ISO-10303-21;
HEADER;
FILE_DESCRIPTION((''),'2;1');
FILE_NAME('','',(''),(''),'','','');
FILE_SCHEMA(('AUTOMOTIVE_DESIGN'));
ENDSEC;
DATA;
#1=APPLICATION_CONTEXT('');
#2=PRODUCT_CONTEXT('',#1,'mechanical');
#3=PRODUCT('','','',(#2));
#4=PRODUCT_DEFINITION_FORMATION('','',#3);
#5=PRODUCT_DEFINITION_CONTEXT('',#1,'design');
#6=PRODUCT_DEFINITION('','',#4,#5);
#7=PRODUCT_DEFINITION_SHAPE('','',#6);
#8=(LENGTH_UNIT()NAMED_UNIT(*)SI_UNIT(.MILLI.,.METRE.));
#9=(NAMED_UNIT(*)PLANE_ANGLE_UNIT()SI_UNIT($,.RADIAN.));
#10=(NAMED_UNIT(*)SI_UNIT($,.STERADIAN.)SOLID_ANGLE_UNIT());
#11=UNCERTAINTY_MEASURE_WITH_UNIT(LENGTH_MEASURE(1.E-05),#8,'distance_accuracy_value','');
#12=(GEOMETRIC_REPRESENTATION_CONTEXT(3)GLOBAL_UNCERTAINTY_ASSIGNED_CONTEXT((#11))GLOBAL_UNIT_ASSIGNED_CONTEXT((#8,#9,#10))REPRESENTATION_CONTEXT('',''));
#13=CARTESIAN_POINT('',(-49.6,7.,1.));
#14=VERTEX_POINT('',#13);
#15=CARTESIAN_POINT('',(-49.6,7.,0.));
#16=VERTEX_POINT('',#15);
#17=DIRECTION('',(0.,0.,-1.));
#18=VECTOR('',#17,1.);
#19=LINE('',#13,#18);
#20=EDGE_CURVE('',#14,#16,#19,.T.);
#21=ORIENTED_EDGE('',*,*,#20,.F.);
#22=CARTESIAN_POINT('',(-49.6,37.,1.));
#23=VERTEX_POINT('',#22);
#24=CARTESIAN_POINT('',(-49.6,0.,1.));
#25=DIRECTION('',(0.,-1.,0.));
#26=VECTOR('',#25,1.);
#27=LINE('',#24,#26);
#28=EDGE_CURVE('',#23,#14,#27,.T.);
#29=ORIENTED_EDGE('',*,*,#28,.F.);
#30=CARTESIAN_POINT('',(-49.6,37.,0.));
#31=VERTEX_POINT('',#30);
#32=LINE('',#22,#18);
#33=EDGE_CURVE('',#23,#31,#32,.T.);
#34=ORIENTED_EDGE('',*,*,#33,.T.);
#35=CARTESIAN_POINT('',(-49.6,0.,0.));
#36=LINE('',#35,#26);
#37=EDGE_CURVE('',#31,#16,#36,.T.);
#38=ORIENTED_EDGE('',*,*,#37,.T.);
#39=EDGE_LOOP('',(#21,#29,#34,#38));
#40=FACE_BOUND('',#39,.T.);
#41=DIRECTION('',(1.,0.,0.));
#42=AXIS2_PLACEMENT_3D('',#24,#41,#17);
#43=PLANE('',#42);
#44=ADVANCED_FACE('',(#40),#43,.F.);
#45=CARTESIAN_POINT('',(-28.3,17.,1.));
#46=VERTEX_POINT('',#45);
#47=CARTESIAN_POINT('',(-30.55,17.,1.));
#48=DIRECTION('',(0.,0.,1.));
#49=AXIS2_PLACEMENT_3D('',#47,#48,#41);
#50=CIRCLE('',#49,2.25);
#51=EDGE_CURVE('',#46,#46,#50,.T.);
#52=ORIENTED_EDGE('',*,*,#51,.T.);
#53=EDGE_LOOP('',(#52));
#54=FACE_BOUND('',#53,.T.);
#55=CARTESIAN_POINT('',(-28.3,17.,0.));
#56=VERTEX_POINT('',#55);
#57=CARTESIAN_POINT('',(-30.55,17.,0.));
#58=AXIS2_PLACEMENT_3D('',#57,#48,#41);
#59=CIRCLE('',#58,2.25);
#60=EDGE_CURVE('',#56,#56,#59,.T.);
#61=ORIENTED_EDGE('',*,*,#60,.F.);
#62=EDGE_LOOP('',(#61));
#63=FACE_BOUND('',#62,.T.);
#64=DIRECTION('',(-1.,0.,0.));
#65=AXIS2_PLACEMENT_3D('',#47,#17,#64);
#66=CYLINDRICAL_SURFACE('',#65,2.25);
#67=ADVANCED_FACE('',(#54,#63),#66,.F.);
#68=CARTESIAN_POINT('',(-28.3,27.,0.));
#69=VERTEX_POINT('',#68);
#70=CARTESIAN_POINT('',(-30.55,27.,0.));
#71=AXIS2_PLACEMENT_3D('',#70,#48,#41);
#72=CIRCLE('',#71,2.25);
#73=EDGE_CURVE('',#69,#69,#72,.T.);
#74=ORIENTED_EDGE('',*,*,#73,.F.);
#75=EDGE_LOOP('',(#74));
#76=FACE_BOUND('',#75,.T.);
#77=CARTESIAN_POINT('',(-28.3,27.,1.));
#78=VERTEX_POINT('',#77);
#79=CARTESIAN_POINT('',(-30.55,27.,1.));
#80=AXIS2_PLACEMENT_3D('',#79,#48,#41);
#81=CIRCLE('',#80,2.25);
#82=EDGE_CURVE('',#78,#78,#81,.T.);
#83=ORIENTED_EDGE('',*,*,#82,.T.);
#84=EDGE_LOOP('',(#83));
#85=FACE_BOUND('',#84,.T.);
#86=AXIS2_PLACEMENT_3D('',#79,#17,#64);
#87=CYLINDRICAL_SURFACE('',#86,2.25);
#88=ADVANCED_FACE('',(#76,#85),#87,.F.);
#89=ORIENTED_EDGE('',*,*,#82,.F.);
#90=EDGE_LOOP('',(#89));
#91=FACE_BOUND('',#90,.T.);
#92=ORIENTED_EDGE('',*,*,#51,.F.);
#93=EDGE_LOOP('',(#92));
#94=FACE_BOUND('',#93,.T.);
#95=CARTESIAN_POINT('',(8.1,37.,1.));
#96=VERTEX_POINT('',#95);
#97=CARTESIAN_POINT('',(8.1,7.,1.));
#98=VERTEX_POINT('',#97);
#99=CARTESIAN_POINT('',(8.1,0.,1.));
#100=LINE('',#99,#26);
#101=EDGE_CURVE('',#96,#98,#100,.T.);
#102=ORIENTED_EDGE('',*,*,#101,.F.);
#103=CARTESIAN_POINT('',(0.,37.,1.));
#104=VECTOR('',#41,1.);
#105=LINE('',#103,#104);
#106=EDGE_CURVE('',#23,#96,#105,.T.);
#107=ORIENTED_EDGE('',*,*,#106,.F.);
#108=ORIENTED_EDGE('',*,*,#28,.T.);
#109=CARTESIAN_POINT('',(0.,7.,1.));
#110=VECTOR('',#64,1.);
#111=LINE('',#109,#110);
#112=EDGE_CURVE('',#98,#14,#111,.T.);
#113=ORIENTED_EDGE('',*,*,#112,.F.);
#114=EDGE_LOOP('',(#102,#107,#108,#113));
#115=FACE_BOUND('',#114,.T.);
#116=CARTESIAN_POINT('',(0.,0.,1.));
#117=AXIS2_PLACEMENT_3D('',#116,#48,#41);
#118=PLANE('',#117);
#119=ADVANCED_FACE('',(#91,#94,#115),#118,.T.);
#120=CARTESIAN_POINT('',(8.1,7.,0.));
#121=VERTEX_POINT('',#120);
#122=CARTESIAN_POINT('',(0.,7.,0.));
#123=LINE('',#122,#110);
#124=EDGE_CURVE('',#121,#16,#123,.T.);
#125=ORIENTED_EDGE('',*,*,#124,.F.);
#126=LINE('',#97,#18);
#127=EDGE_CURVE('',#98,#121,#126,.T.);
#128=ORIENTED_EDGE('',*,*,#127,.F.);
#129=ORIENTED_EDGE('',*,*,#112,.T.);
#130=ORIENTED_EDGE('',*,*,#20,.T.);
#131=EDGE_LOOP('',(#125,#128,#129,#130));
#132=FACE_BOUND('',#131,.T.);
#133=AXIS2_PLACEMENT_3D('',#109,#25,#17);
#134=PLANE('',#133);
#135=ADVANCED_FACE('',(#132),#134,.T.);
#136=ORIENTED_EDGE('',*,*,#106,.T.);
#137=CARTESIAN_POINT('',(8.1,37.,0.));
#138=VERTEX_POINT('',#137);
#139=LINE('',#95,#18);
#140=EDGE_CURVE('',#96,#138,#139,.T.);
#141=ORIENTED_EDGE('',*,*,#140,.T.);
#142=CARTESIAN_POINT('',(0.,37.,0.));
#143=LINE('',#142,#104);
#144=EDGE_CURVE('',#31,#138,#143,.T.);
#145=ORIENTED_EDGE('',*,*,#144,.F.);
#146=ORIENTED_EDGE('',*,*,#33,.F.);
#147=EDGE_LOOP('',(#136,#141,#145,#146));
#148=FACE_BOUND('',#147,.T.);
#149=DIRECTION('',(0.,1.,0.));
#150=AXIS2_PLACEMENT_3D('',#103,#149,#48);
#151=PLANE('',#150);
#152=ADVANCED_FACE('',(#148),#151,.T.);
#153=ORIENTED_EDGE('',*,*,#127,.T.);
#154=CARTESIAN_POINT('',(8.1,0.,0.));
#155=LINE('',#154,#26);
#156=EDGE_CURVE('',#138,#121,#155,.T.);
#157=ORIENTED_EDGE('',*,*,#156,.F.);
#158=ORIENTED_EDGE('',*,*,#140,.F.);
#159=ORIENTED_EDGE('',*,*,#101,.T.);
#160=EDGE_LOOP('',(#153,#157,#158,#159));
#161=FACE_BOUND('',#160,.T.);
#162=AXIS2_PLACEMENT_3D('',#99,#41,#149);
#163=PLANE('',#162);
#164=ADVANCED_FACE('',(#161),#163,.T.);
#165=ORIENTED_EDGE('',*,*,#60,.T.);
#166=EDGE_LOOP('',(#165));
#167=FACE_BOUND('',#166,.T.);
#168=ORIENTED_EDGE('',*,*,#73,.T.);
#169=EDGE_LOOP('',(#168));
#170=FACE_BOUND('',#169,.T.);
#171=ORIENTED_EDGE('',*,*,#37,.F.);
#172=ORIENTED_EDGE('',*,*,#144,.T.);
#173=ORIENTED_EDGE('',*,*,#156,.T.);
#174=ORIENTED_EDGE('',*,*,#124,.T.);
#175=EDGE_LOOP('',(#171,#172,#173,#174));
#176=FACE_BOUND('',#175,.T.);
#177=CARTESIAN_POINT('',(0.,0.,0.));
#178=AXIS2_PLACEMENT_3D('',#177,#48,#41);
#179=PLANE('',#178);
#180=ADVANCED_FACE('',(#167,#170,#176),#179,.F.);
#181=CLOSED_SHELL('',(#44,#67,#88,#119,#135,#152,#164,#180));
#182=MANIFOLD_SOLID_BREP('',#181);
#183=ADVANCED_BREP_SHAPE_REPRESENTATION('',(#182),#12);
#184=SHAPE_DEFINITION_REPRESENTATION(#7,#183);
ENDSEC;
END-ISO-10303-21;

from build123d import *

# Parameters (mm, degrees)
SKETCH1_W           = 57.7
SKETCH1_H           = 30
SKETCH1_R           = 2.25
BOSS_EXTRUDE1_DEPTH = 1


with BuildPart() as part:
    # Sketch1 → Boss-Extrude1 (new body)
    with BuildSketch(Plane.XY):
        with Locations((-20.75, 22)):
            Rectangle(SKETCH1_W, SKETCH1_H)
        with Locations((-30.55, 17)):
            Circle(SKETCH1_R, mode=Mode.SUBTRACT)
        with Locations((-30.55, 27)):
            Circle(SKETCH1_R, mode=Mode.SUBTRACT)
    extrude(amount=BOSS_EXTRUDE1_DEPTH)


solid = part.part
